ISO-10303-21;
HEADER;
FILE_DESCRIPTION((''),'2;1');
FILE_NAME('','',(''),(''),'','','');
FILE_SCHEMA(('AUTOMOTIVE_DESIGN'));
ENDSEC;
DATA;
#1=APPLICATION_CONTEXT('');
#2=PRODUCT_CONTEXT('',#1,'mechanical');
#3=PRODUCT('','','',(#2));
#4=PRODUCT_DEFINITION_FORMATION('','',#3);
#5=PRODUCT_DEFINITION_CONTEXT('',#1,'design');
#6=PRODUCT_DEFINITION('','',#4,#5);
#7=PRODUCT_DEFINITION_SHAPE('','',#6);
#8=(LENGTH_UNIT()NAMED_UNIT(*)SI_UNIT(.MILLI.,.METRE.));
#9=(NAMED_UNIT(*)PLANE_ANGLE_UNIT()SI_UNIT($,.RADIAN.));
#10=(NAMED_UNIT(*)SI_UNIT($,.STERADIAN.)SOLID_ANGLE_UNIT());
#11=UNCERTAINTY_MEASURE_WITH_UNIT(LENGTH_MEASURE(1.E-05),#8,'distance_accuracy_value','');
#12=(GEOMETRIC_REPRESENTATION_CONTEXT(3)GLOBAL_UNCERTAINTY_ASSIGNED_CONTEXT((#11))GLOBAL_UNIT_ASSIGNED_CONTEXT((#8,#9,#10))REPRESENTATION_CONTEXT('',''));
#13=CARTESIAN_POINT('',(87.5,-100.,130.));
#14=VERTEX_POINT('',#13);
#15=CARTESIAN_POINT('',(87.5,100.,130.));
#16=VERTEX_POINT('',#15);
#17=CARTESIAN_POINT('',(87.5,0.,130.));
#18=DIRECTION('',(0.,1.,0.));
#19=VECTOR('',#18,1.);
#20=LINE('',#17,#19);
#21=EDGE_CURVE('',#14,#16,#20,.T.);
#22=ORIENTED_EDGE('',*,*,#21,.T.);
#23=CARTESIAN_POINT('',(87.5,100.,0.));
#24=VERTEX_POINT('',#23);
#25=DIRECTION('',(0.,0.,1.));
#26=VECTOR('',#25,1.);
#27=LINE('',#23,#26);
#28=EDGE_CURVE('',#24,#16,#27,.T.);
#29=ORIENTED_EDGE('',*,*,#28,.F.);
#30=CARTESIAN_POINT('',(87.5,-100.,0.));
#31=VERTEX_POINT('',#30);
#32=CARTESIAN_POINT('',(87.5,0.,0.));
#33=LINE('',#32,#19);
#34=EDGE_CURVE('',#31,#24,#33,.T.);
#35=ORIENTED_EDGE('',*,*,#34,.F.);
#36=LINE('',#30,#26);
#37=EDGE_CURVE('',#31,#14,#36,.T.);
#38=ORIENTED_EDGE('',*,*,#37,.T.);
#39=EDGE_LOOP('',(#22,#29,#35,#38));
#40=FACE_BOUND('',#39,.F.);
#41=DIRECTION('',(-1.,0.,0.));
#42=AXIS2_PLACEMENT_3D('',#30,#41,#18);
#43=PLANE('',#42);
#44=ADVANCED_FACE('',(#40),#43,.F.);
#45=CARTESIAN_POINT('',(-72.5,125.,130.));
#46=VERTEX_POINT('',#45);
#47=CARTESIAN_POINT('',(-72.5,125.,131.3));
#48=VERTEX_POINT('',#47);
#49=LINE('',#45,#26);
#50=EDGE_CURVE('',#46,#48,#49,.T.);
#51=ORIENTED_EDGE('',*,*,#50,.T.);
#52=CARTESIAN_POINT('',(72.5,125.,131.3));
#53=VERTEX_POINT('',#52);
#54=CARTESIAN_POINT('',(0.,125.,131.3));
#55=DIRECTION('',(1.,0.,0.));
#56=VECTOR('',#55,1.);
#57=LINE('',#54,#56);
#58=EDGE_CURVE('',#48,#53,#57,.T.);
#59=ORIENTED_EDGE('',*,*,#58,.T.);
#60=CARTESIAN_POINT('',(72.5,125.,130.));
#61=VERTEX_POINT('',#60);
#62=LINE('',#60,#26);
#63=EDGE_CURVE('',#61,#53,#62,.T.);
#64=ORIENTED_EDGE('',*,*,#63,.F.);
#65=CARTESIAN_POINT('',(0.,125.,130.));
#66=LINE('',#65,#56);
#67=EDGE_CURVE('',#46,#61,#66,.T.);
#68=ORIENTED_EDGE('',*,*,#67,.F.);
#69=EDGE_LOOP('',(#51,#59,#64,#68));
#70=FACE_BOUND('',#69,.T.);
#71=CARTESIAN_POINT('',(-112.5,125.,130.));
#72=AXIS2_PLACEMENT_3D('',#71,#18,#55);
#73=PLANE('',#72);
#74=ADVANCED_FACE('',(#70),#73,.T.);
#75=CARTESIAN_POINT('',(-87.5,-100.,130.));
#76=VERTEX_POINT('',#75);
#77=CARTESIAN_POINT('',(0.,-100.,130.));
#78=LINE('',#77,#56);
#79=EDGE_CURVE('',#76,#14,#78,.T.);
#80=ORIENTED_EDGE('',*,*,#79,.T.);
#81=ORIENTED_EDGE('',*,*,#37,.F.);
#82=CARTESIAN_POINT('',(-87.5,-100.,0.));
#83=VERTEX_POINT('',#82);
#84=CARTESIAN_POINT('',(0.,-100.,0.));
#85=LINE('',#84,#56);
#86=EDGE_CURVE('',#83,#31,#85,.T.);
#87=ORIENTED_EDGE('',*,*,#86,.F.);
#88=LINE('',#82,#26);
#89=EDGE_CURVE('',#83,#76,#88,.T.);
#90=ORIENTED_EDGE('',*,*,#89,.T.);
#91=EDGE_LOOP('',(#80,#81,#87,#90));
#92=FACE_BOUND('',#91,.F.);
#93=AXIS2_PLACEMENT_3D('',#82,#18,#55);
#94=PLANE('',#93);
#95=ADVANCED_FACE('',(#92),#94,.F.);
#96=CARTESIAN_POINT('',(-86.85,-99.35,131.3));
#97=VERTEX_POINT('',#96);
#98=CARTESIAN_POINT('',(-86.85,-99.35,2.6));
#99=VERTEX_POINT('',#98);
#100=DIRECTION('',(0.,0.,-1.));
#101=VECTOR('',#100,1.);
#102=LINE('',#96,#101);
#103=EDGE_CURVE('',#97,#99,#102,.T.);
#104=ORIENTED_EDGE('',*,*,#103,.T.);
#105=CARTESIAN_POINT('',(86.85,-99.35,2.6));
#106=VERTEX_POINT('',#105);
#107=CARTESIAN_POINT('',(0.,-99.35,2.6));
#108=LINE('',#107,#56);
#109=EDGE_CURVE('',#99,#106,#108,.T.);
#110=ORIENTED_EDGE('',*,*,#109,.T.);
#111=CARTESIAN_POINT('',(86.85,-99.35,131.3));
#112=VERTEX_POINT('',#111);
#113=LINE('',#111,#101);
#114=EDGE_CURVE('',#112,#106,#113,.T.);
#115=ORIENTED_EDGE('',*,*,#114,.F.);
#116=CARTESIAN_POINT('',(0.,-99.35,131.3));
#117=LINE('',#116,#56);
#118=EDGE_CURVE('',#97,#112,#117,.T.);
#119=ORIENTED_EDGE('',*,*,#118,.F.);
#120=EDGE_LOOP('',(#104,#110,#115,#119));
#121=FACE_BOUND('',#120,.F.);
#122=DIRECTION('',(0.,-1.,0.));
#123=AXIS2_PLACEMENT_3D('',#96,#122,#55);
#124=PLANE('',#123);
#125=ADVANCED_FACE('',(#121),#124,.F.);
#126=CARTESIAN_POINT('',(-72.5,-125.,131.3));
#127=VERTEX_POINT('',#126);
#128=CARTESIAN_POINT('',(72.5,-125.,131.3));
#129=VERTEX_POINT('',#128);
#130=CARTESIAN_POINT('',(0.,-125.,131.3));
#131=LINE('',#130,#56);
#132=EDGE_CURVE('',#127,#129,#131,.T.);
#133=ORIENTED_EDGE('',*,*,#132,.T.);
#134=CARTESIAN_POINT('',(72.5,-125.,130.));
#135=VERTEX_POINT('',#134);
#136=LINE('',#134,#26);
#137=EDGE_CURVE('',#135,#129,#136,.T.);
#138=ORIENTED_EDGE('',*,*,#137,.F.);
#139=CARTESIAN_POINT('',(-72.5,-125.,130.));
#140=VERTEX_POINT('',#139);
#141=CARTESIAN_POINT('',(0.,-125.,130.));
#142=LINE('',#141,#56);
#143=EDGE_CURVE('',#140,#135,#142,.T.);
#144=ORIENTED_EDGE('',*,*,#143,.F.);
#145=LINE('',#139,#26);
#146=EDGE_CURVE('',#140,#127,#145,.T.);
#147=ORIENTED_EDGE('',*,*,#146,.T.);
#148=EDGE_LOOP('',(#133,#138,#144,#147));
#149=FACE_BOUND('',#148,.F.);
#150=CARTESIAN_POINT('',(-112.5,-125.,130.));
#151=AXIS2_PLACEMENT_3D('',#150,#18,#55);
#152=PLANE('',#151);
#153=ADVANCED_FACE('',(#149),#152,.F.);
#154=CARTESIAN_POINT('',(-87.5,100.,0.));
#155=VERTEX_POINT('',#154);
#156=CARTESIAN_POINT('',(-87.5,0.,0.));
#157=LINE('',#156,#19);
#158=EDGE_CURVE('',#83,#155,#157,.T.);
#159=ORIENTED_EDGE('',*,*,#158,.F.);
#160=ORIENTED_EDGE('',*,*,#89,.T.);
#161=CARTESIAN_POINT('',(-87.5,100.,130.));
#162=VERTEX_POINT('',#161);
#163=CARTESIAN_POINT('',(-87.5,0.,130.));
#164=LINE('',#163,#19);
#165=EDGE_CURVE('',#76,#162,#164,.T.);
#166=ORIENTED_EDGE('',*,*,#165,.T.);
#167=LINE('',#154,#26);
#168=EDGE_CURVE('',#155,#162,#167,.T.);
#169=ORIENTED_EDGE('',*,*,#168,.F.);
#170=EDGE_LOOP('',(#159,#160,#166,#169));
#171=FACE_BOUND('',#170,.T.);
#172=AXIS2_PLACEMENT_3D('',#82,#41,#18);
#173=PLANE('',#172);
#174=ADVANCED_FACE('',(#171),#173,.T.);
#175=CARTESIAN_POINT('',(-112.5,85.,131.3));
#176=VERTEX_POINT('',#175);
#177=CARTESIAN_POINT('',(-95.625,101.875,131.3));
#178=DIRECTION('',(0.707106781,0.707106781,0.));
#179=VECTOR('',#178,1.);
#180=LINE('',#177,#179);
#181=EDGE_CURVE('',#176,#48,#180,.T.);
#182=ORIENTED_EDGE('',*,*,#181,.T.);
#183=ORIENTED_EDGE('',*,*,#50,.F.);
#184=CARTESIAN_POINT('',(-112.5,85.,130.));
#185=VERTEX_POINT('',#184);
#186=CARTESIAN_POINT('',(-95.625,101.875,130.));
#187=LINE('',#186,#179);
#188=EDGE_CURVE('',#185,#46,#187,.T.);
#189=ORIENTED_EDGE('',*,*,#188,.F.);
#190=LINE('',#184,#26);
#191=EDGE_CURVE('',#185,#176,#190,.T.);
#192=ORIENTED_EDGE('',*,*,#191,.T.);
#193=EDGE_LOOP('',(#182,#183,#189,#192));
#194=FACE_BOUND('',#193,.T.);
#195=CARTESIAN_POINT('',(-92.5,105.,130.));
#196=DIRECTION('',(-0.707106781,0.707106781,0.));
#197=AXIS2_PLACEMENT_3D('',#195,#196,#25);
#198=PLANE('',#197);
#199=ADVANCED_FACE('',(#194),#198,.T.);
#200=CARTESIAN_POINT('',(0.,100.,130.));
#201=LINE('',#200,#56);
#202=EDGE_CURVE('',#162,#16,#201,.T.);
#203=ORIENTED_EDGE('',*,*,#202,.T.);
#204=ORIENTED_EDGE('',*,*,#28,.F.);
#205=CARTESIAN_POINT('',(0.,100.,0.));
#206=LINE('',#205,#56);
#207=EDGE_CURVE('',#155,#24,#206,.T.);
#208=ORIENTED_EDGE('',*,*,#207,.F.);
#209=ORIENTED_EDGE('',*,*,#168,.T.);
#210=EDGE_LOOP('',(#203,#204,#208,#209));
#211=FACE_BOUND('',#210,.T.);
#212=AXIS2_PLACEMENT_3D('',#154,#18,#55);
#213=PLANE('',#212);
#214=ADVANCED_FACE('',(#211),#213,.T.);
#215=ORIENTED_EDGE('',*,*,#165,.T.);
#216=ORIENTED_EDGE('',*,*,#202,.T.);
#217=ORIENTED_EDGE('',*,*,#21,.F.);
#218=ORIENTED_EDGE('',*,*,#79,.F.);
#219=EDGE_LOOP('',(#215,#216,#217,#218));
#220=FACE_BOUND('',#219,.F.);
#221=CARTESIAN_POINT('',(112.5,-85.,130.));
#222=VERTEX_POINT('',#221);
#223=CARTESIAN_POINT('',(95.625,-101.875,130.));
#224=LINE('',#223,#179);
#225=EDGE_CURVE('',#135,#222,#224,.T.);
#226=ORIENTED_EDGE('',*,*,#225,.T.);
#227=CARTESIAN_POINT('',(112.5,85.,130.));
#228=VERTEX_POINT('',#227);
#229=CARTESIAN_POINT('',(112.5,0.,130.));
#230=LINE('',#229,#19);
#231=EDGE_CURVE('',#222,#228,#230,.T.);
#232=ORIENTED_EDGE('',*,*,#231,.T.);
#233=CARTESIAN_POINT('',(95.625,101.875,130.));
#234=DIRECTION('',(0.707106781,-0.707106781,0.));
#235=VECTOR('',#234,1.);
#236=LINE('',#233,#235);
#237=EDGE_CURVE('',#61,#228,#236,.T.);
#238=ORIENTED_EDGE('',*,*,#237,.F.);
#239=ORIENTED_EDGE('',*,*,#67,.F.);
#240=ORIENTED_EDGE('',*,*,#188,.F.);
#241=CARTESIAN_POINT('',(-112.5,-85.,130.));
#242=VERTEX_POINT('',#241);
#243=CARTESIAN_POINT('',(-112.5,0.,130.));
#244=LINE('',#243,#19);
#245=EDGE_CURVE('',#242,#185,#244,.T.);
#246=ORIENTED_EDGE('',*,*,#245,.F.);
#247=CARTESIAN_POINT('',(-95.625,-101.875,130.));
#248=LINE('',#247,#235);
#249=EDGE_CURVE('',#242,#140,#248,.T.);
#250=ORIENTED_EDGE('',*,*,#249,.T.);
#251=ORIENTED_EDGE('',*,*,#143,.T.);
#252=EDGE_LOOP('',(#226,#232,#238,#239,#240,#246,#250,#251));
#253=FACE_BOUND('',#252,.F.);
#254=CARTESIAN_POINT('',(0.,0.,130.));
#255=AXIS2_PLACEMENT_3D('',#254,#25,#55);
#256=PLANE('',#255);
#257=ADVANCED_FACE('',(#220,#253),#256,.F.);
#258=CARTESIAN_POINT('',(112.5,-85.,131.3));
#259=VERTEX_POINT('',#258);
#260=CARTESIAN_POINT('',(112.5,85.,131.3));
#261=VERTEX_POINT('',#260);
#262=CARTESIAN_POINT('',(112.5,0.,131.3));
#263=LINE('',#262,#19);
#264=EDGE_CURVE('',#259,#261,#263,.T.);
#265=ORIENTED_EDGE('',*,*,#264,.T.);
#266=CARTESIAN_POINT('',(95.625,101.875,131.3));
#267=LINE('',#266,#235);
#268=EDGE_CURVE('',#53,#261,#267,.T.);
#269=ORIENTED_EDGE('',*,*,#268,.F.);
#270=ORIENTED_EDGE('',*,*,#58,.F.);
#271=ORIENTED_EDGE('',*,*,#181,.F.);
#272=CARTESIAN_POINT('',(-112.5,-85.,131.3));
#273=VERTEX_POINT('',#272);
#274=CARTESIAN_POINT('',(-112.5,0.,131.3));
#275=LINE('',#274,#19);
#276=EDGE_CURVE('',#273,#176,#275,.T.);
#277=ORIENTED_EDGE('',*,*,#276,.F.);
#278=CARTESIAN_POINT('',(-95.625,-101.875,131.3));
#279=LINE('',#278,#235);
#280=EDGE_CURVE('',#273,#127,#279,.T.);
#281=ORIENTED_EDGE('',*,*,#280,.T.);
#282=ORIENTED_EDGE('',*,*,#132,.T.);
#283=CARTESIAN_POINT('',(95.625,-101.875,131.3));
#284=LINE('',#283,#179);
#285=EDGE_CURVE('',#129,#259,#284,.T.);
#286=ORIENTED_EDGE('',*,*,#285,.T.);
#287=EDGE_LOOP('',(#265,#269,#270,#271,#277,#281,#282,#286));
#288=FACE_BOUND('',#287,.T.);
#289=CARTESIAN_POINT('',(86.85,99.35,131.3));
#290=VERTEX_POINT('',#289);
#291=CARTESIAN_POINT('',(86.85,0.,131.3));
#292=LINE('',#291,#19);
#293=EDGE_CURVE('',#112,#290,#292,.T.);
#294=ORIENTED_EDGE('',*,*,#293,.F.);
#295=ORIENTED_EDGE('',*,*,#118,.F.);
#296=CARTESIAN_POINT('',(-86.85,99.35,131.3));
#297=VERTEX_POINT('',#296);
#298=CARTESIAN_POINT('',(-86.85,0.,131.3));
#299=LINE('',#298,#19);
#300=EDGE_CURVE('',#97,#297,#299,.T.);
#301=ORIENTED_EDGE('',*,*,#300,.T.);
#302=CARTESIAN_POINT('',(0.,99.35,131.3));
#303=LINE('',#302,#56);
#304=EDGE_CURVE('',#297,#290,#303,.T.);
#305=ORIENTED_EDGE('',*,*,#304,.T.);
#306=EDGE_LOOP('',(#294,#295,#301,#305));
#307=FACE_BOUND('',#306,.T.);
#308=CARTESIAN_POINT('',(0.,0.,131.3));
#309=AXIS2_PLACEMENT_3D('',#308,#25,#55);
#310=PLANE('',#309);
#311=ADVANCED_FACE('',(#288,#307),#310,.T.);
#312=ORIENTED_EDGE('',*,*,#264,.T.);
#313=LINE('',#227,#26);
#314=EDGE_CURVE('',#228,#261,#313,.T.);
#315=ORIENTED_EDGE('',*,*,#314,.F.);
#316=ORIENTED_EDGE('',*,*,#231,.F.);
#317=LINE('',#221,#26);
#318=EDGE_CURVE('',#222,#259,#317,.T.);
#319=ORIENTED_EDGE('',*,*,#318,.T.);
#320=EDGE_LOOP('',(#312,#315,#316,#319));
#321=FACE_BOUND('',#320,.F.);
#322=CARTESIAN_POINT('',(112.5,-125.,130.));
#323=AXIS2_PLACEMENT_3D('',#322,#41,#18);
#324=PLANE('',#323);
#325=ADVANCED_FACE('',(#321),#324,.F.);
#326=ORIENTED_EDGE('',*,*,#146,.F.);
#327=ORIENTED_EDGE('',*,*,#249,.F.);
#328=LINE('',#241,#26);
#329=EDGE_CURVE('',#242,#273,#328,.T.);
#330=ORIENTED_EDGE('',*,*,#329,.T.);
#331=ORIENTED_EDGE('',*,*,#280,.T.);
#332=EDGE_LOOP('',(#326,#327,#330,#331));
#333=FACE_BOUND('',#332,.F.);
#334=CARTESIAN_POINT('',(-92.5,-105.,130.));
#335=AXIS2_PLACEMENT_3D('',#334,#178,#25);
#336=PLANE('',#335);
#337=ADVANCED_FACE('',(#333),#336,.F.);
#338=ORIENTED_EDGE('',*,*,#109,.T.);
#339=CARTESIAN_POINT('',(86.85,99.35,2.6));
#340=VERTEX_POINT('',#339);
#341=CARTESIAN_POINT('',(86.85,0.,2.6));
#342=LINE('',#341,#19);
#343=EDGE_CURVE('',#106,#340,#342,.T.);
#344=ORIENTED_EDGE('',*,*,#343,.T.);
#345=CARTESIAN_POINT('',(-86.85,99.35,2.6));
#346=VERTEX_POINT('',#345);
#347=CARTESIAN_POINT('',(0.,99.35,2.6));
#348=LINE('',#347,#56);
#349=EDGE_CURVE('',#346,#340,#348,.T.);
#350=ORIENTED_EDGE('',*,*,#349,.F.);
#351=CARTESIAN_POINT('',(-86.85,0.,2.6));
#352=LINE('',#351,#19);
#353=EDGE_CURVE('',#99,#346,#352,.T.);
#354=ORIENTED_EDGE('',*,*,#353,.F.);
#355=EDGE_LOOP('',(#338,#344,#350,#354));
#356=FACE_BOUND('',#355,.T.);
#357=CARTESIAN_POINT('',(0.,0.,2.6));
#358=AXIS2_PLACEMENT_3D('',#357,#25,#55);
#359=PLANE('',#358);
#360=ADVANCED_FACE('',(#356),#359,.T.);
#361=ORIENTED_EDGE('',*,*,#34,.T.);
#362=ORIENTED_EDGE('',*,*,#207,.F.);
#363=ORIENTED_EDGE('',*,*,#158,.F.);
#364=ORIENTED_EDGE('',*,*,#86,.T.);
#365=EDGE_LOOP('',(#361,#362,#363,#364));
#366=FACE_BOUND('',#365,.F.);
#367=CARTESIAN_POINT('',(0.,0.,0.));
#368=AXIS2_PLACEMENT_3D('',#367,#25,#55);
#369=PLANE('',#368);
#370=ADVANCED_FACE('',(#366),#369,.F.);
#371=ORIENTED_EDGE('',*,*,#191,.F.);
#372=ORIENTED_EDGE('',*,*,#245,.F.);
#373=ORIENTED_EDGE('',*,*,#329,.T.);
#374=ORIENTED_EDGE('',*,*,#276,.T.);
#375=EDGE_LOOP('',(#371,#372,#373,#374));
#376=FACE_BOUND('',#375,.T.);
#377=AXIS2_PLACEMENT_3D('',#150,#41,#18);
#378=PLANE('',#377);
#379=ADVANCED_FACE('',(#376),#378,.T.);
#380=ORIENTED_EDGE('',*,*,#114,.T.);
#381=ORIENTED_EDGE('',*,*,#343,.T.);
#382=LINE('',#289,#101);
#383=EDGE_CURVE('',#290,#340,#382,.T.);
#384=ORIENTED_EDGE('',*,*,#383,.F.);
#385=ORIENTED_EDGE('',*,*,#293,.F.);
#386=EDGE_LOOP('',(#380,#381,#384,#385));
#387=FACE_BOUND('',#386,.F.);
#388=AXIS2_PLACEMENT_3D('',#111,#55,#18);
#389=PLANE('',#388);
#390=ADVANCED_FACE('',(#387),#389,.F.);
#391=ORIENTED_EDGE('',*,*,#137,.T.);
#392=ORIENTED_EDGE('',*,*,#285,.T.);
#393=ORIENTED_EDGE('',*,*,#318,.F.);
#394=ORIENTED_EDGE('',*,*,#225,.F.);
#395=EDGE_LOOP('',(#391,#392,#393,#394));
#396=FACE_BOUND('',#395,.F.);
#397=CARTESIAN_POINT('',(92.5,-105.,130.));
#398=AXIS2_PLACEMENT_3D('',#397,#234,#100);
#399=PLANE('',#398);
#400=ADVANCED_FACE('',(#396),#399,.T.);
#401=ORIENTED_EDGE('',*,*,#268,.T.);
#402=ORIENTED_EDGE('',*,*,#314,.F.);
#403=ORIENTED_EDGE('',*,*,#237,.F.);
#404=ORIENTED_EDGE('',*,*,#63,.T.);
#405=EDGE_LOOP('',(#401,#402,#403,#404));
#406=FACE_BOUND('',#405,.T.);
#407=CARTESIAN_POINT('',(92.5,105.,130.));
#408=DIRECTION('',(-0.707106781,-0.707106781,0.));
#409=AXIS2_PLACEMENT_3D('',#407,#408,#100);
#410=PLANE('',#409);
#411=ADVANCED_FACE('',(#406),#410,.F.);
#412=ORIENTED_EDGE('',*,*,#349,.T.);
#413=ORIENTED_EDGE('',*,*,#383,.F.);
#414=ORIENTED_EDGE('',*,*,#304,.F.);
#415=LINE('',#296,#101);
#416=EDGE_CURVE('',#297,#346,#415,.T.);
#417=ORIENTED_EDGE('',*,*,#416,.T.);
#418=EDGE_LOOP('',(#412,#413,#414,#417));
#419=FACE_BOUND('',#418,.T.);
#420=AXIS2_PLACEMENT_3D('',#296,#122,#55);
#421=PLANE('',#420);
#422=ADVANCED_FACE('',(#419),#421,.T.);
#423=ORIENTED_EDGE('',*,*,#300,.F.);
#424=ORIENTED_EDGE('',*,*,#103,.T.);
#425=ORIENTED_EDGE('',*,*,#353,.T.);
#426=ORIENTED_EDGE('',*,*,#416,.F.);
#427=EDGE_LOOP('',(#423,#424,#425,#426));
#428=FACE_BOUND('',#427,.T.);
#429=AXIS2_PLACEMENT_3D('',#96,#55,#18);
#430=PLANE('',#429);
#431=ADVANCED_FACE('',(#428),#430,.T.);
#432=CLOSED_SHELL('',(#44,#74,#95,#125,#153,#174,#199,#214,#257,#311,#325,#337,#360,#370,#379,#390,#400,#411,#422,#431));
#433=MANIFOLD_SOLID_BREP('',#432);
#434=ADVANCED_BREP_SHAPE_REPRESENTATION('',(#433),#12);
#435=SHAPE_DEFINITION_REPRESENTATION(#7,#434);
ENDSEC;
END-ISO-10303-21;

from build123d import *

# Parameters (mm, degrees)
F0_W     = 175
F0_H     = 200
F1_DEPTH = 130
F2_W     = 225
F2_H     = 250
F3_DEPTH = 1.3
F4_W     = 173.7
F4_H     = 198.7
F5_DEPTH = 128.7
F6_SIZE  = 40


with BuildPart() as f1:
    # F0 (on Top) → F1 (new body)
    with BuildSketch(Plane.XY):
        Rectangle(F0_W, F0_H)
    extrude(amount=F1_DEPTH)

    # F2 (on face) → F3 (join)
    with BuildSketch(Plane.XY.offset(130)):
        Rectangle(F2_W, F2_H)
    extrude(amount=F3_DEPTH)

    # F4 (on face) → F5 (cut)
    with BuildSketch(Plane.XY.offset(131.3)):
        Rectangle(F4_W, F4_H)
    extrude(amount=-F5_DEPTH, mode=Mode.SUBTRACT)

    # F6
    f6_edges = [f1.edges().sort_by_distance(p)[0] for p in [
        (112.5, -125, 130.65),
        (-112.5, -125, 130.65),
        (112.5, 125, 130.65),
        (-112.5, 125, 130.65),
    ]]
    chamfer(f6_edges, length=F6_SIZE)


solid = f1.part
